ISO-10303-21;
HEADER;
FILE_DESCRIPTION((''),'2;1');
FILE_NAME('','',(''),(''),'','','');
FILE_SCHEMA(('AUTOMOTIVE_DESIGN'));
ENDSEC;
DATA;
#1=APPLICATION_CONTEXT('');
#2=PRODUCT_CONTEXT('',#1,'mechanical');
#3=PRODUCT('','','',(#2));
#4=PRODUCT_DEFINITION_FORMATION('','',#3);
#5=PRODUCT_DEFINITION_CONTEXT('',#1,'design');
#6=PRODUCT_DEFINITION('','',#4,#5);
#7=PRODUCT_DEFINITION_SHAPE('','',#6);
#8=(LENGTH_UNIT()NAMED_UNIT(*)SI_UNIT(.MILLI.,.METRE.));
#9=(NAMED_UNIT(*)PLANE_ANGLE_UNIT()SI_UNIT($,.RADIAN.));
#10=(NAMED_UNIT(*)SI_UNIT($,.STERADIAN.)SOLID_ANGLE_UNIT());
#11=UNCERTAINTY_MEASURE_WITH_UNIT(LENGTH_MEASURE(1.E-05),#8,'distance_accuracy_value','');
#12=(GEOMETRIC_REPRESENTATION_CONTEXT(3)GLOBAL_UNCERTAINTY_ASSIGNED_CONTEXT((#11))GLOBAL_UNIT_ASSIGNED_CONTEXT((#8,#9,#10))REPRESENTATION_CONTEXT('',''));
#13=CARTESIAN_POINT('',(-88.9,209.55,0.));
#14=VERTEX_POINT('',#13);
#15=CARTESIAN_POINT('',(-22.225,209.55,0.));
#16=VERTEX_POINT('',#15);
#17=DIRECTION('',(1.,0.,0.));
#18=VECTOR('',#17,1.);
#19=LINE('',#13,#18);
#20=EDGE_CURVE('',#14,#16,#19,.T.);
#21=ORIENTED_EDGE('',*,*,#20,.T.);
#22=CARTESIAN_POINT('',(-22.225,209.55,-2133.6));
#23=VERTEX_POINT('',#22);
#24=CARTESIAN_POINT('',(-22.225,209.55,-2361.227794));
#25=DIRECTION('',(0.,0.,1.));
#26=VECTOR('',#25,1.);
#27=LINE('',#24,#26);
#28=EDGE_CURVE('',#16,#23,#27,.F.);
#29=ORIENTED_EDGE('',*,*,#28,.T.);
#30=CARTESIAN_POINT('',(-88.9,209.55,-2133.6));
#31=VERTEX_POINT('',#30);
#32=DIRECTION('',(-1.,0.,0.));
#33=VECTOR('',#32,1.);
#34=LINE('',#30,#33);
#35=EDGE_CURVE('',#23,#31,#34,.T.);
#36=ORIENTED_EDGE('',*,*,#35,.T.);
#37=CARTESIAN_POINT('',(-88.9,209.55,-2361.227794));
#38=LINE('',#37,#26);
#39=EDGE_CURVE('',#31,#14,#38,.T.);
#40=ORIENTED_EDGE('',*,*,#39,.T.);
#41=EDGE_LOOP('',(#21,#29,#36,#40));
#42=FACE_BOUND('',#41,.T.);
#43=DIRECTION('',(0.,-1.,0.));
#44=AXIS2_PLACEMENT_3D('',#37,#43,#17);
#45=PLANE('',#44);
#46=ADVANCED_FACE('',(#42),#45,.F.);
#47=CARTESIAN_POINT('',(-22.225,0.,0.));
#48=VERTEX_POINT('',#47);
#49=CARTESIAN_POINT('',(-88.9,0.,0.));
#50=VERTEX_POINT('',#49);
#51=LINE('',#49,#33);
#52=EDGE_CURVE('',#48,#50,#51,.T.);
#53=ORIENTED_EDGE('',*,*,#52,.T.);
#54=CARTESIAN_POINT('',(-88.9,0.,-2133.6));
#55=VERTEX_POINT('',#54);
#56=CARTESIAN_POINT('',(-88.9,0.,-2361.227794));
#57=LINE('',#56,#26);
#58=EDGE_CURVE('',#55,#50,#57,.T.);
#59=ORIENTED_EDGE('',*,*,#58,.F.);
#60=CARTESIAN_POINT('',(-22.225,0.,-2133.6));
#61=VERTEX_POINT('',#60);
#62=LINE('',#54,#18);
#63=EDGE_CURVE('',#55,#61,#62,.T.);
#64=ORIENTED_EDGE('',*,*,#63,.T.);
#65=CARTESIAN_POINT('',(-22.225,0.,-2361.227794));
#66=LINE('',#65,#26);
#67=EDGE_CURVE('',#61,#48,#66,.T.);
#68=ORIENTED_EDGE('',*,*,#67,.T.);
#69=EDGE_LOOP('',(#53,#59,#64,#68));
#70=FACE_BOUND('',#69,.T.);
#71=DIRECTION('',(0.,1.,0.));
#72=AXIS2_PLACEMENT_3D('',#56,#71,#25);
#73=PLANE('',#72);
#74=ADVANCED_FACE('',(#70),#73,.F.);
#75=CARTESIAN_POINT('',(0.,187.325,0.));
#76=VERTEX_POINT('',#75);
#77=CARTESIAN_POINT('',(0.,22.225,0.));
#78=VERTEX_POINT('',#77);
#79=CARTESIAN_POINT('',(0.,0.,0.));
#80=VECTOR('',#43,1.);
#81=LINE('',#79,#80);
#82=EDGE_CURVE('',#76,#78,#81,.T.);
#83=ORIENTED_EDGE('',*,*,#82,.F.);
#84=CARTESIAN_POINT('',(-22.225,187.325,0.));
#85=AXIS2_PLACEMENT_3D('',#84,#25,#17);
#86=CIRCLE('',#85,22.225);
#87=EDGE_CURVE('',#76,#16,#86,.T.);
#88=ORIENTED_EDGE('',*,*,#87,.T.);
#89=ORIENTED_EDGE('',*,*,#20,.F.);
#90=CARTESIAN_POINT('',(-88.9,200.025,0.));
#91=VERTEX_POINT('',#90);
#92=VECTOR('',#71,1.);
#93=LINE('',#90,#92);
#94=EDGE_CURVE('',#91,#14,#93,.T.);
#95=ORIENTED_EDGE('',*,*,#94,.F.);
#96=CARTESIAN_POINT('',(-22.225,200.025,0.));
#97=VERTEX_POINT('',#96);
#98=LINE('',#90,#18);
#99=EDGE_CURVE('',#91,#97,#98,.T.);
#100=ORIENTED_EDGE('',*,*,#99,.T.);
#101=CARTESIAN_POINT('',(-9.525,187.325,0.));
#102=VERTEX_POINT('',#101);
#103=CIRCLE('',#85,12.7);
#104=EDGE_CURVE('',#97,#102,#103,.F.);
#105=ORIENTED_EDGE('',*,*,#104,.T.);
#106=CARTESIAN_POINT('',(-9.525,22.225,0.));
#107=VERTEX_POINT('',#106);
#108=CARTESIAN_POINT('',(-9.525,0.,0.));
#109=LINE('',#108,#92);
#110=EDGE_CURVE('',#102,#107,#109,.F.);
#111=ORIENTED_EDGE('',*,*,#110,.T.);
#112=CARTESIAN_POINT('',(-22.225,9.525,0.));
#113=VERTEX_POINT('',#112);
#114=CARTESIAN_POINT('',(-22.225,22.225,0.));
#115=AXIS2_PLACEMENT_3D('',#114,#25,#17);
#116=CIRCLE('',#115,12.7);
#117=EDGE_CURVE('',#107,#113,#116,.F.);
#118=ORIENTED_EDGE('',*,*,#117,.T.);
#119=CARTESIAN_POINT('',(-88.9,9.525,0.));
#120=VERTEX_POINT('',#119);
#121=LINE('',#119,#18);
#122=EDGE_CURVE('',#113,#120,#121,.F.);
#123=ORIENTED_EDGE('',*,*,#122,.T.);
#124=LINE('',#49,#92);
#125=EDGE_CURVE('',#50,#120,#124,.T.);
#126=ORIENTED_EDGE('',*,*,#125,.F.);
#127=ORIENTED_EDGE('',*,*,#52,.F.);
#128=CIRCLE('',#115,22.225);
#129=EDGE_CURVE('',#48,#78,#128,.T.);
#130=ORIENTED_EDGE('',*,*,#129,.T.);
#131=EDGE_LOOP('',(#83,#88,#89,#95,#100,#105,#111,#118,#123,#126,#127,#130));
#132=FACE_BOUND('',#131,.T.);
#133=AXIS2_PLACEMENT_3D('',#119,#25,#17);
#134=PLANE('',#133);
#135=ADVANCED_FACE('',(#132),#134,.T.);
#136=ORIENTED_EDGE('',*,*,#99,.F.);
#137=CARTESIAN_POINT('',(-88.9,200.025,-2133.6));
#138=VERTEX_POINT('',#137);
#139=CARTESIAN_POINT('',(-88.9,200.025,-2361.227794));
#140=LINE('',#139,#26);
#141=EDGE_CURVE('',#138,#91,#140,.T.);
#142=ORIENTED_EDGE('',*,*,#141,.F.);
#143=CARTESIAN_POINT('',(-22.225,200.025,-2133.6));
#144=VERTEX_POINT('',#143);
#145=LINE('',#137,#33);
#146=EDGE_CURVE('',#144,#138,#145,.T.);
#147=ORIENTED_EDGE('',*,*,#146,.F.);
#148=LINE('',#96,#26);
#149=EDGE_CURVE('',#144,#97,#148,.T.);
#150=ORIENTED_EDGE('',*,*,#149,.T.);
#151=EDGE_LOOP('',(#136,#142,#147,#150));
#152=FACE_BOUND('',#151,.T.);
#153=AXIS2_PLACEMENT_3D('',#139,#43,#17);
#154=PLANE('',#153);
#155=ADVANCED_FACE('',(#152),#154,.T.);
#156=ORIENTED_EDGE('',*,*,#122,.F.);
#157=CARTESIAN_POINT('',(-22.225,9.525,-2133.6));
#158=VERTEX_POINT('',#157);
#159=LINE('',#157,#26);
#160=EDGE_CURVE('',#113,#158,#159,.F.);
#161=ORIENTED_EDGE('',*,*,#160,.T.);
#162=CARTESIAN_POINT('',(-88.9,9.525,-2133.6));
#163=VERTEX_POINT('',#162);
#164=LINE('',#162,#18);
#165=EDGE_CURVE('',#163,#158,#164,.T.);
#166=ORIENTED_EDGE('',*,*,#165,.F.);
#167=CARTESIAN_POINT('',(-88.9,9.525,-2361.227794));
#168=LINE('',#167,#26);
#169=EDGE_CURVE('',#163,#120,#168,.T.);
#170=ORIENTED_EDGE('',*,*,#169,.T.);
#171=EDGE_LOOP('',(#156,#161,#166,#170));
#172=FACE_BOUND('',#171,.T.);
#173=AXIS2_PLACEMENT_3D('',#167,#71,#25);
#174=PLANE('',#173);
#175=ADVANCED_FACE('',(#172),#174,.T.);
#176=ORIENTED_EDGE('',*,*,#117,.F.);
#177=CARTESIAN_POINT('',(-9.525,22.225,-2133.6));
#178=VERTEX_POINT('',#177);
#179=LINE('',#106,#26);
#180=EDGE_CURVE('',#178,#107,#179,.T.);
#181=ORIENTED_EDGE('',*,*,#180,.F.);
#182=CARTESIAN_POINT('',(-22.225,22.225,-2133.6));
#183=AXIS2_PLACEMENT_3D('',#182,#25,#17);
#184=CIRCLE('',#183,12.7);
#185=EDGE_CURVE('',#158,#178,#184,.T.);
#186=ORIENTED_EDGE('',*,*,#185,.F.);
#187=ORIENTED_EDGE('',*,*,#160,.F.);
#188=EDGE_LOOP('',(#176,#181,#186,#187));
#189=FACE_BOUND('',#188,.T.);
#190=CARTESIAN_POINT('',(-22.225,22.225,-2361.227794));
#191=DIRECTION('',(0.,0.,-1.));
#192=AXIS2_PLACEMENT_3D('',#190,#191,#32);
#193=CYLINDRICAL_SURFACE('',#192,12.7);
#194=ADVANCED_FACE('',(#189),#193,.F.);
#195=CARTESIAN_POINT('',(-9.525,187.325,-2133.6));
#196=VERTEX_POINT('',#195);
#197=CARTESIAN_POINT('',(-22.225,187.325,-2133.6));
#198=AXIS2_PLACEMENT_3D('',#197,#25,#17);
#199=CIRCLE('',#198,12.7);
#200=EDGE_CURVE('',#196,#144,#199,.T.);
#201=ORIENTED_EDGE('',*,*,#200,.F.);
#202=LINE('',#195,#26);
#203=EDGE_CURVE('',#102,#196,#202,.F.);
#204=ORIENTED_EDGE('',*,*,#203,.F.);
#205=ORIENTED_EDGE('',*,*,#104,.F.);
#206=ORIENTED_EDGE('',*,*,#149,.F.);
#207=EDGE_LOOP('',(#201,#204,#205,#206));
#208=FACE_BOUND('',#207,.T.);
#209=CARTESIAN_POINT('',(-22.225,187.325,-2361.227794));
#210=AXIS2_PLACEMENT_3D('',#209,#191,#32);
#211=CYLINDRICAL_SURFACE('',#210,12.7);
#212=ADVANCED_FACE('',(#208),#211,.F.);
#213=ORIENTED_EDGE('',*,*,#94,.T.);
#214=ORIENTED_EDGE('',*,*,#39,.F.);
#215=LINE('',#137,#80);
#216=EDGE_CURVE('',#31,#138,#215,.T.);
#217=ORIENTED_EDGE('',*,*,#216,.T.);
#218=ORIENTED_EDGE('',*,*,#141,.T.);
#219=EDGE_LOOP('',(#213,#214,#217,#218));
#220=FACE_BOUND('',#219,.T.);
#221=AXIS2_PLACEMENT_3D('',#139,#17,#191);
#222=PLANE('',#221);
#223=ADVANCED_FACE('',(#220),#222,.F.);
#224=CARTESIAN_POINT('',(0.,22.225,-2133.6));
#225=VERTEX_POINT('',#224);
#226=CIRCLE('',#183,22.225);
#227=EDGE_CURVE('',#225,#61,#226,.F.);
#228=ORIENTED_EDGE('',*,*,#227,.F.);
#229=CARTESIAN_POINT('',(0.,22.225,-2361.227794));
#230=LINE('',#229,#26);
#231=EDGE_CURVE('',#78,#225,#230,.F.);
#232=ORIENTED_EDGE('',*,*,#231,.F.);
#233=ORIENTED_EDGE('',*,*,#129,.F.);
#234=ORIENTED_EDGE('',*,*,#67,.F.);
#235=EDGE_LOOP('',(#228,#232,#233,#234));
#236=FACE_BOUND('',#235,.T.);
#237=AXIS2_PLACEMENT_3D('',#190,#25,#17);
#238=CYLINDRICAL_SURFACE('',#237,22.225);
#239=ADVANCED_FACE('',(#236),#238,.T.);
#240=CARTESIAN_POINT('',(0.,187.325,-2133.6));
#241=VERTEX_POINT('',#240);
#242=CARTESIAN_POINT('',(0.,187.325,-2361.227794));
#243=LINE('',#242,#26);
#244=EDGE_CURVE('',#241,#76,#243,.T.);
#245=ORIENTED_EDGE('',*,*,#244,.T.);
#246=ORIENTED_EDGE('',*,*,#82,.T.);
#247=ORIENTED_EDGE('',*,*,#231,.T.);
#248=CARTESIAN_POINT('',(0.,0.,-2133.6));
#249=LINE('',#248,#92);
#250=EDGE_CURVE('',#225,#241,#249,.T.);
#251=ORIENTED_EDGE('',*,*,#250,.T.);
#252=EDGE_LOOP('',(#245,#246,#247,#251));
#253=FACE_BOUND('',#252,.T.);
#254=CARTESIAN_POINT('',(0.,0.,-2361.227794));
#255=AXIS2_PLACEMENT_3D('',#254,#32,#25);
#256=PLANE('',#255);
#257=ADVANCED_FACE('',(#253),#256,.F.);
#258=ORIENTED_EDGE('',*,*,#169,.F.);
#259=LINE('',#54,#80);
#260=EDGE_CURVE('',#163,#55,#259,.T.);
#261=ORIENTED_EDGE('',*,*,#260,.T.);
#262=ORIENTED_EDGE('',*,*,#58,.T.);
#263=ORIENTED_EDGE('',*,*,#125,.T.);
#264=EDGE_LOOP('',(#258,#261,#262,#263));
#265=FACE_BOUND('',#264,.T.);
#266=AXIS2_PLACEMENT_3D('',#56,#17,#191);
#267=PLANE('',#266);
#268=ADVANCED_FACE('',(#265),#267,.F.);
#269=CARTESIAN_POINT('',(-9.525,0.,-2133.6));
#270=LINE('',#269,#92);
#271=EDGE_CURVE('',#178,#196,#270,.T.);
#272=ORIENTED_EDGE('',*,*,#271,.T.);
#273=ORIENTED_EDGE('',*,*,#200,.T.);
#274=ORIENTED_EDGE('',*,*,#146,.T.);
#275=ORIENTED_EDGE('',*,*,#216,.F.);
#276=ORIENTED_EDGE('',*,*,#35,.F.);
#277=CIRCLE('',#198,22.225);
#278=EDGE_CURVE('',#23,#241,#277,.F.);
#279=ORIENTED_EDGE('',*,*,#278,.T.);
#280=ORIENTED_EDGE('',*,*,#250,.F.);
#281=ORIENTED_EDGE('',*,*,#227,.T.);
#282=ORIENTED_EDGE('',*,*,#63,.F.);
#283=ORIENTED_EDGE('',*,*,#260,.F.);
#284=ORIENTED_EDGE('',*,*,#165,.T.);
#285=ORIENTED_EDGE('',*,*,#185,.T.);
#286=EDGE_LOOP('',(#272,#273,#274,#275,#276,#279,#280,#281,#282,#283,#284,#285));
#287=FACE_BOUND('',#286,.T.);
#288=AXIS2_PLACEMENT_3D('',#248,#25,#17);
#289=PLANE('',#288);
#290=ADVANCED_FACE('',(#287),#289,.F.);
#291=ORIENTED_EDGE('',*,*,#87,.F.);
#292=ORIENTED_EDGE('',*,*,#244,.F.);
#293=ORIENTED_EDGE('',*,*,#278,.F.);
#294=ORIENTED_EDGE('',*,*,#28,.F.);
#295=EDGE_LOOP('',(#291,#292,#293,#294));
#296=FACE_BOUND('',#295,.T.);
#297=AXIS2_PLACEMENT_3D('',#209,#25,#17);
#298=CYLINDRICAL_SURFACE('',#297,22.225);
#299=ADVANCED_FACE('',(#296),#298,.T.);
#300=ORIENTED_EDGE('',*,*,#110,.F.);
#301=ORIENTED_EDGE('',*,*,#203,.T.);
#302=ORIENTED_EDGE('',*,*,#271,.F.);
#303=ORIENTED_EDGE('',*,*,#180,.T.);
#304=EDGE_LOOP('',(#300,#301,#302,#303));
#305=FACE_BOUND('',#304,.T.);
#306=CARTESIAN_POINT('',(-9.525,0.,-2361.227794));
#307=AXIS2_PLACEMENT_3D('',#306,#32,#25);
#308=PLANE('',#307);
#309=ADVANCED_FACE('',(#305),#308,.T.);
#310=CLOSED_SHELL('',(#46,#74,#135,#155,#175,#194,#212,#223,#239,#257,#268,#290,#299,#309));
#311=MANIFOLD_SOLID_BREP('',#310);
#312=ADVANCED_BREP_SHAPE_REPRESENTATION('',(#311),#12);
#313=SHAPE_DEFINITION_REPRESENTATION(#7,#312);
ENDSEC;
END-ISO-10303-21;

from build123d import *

# Parameters (mm, degrees)
BASE_EXTRUDE_THIN_DEPTH = 2133.6
INSIDE_BEND_RADIUS_R    = 12.7
OUTSIDE_BEND_RADIUS_R   = 22.225


with BuildPart() as part:
    # Sketch1 → Base-Extrude-Thin (new body)
    with BuildSketch(Plane.XY):
        Polygon((-88.9, 0), (0, 0), (0, 209.55), (-88.9, 209.55), (-88.9, 200.025), (-9.525, 200.025), (-9.525, 9.525), (-88.9, 9.525), align=None)
    extrude(amount=-BASE_EXTRUDE_THIN_DEPTH)

    # Inside Bend Radius
    inside_bend_radius_edges = [part.edges().sort_by_distance(p)[0] for p in [
        (-9.525, 200.025, -1066.8),
        (-9.525, 9.525, -1066.8),
    ]]
    fillet(inside_bend_radius_edges, radius=INSIDE_BEND_RADIUS_R)

    # Outside Bend Radius
    outside_bend_radius_edges = [part.edges().sort_by_distance(p)[0] for p in [
        (0, 0, -1066.8),
        (0, 209.55, -1066.8),
    ]]
    fillet(outside_bend_radius_edges, radius=OUTSIDE_BEND_RADIUS_R)


solid = part.part
